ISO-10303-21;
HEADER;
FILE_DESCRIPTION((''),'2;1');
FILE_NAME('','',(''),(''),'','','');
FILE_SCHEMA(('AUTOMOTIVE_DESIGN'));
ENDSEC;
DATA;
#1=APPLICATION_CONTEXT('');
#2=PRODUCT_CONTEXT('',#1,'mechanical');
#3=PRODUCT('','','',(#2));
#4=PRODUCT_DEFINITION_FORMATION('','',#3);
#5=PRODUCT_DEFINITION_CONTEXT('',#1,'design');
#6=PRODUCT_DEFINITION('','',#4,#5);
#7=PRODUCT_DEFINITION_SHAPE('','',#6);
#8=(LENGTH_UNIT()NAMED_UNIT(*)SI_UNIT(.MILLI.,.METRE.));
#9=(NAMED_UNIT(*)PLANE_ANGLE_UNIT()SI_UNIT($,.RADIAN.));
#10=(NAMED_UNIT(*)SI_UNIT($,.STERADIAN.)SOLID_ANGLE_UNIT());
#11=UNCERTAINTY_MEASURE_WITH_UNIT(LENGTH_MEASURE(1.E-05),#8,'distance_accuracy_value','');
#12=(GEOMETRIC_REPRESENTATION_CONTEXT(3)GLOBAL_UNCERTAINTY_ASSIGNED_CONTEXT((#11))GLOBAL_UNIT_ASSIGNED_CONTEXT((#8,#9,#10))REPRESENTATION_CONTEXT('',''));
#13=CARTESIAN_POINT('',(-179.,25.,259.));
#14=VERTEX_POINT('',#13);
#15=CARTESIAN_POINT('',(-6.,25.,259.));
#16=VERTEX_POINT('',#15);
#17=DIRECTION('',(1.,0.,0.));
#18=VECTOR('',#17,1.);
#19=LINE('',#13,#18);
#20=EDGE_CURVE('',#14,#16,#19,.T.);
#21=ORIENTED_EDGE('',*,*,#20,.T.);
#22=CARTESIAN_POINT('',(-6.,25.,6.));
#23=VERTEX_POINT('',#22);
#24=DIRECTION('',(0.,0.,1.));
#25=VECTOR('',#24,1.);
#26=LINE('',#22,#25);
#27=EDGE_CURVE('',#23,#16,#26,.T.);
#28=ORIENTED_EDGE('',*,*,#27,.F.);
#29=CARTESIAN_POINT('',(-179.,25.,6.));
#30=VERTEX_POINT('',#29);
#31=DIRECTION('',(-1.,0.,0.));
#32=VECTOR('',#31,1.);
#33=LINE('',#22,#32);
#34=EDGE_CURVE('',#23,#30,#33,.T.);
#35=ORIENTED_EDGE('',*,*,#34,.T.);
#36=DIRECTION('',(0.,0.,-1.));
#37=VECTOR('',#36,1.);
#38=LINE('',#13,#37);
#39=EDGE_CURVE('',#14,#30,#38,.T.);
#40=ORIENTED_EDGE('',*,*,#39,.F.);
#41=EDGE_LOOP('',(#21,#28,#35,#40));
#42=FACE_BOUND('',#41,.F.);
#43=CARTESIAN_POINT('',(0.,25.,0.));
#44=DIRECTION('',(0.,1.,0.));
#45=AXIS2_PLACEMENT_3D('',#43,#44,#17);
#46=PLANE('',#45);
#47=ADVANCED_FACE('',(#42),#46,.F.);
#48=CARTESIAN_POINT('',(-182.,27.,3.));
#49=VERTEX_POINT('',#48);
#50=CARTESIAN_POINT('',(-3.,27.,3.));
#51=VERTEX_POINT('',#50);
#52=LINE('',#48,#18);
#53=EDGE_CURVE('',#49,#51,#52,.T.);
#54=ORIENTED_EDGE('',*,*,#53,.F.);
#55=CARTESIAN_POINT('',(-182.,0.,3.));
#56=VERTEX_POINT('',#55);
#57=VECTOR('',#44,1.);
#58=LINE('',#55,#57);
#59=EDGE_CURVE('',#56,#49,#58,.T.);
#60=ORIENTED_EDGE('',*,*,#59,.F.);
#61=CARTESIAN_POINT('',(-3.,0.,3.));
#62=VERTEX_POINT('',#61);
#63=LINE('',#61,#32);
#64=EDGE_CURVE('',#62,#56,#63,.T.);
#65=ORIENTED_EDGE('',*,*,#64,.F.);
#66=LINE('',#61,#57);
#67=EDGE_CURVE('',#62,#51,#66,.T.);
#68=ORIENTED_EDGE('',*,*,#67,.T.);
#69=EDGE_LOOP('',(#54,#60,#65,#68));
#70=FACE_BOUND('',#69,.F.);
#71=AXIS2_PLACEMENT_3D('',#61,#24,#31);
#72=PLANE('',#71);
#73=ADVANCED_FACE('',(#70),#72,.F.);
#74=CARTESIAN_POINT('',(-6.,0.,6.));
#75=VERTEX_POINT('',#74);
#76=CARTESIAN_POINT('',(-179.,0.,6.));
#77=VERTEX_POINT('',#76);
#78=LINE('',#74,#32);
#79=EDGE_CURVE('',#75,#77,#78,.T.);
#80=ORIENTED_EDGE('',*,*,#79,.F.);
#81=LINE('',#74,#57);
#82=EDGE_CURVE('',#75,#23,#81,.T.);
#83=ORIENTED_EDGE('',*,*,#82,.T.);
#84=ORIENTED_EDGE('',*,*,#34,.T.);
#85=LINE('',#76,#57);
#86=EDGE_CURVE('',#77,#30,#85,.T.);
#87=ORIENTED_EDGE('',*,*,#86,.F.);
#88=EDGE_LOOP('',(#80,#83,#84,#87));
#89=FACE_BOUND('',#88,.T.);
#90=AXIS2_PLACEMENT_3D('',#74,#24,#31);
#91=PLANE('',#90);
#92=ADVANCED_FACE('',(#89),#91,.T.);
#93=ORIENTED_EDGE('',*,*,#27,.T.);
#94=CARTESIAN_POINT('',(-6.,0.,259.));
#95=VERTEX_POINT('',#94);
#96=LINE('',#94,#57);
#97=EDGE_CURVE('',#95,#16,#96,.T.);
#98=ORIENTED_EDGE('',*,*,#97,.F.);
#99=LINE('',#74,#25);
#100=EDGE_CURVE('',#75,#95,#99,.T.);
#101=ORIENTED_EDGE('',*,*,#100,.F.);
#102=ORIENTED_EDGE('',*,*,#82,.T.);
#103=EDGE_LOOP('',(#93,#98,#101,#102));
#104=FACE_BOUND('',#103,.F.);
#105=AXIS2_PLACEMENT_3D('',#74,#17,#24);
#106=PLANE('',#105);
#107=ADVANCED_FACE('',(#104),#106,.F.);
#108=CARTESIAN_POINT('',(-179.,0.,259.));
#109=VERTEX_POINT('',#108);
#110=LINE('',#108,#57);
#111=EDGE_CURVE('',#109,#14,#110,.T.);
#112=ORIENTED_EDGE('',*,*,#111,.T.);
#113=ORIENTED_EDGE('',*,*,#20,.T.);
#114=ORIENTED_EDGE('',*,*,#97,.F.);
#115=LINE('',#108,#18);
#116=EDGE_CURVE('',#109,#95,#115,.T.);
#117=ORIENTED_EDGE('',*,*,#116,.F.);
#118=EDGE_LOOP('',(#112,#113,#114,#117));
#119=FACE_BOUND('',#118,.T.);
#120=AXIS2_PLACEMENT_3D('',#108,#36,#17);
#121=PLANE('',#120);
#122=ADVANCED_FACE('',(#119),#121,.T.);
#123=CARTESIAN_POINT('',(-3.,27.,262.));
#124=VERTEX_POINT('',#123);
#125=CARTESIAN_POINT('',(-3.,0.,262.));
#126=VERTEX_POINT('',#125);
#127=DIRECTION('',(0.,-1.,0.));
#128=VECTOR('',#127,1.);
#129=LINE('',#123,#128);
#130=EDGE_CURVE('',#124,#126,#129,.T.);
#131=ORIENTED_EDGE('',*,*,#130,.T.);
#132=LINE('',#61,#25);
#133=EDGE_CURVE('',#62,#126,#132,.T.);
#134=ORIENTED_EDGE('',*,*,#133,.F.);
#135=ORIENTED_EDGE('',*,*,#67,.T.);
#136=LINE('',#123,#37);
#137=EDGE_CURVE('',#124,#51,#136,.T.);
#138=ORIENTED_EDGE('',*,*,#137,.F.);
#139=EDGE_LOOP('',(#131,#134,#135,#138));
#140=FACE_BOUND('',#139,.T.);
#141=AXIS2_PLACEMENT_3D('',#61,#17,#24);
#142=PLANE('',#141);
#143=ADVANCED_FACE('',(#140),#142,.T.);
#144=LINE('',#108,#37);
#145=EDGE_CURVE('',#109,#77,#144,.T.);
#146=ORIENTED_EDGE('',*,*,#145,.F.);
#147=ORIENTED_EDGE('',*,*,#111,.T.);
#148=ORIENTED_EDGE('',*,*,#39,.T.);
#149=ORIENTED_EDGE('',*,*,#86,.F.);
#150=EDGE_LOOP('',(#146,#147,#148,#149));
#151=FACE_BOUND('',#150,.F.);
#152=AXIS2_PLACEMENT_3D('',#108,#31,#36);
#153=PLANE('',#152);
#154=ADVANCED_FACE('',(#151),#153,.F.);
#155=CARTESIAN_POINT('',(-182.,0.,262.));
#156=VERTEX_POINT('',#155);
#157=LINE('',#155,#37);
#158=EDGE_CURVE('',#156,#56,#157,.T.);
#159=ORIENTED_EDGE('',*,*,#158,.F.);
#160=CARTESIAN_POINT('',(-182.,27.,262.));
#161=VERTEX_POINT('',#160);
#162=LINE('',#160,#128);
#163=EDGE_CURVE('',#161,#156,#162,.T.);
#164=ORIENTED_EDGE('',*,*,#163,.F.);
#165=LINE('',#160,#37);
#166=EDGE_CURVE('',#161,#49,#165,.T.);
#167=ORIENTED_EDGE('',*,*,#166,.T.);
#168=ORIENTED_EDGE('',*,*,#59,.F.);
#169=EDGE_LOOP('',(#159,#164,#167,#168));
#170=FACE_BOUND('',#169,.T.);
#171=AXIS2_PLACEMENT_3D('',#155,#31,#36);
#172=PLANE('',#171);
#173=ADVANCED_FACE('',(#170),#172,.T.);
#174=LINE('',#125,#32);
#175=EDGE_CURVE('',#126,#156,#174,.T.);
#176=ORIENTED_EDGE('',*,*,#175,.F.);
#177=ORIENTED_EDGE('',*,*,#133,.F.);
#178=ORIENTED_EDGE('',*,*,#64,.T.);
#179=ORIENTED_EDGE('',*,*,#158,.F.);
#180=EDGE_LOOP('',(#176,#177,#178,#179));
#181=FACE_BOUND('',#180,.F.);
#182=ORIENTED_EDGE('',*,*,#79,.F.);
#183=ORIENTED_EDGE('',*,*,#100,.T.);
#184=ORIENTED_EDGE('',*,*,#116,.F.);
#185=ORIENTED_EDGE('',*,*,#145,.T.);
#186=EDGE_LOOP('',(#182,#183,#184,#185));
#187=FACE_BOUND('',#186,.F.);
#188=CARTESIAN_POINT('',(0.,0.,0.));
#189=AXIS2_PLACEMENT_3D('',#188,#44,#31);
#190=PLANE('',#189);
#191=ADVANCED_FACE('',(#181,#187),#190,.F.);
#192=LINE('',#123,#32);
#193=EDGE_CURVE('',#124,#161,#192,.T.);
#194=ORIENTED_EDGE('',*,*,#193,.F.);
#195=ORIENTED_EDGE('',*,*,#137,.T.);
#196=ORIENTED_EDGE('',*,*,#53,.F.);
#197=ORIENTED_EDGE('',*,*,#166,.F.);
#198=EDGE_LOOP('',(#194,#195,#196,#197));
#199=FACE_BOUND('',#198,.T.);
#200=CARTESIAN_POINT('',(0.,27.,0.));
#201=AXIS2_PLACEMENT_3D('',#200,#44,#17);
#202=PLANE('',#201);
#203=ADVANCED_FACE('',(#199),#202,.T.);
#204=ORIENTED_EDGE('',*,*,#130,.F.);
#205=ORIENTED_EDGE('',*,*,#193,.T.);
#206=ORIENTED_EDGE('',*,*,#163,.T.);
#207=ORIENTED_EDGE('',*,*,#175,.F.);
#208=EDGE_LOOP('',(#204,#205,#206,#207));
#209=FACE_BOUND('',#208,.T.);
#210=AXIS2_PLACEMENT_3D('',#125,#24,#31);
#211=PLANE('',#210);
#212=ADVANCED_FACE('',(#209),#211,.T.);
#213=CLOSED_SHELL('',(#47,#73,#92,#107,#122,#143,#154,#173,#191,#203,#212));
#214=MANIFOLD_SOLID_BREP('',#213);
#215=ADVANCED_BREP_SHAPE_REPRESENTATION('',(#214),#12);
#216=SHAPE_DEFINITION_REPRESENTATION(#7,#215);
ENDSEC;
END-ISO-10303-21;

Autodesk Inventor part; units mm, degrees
ref_plane "YZ Plane" through (0, 0, 0) normal (1, 0, 0) x (0, 1, 0)
ref_plane "XZ Plane" through (0, 0, 0) normal (0, 1, 0) x (-1, 0, 0)
ref_plane "XY Plane" through (0, 0, 0) normal (0, 0, 1) x (1, 0, 0)
sketch "Esboço1" plane through (0, 0, 0) normal (0, 1, 0) x (-1, 0, 0)
  line L0 (3, 3) -> (182, 3)
  line L1 (3, 262) -> (182, 262)
  line L2 (182, 262) -> (182, 3)
  line L3 (182, 3) -> (3, 3)
  line L4 (3, 3) -> (3, 262)
  line L5 (6, 6) -> (179, 6)
  line L6 (179, 259) -> (6, 259)
  line L7 (179, 6) -> (6, 6)
  line L8 (6, 6) -> (6, 259)
  line L9 (6, 259) -> (179, 259)
  line L10 (179, 259) -> (179, 6)
  point P0 (0, 0)
  point P1 (0, 0)
extrude "Extrusão1" add sketch "Esboço1" along normal blind 25
sketch "Esboço2" plane through (0, 25, 0) normal (0, 1, 0) x (1, 0, 0)
  line L0 (-182, -3) -> (-3, -3) projected
  line L1 (-3, -262) -> (-3, -3) projected
  line L2 (-182, -3) -> (-3, -3)
  line L3 (-3, -3) -> (-3, -262)
  line L4 (-3, -262) -> (-182, -262)
  line L5 (-182, -262) -> (-182, -3)
  point P0 (0, 0)
extrude "Extrusão2" add sketch "Esboço2" along normal blind 2
properties part number "tampa caixa" material "PCL plástico"
